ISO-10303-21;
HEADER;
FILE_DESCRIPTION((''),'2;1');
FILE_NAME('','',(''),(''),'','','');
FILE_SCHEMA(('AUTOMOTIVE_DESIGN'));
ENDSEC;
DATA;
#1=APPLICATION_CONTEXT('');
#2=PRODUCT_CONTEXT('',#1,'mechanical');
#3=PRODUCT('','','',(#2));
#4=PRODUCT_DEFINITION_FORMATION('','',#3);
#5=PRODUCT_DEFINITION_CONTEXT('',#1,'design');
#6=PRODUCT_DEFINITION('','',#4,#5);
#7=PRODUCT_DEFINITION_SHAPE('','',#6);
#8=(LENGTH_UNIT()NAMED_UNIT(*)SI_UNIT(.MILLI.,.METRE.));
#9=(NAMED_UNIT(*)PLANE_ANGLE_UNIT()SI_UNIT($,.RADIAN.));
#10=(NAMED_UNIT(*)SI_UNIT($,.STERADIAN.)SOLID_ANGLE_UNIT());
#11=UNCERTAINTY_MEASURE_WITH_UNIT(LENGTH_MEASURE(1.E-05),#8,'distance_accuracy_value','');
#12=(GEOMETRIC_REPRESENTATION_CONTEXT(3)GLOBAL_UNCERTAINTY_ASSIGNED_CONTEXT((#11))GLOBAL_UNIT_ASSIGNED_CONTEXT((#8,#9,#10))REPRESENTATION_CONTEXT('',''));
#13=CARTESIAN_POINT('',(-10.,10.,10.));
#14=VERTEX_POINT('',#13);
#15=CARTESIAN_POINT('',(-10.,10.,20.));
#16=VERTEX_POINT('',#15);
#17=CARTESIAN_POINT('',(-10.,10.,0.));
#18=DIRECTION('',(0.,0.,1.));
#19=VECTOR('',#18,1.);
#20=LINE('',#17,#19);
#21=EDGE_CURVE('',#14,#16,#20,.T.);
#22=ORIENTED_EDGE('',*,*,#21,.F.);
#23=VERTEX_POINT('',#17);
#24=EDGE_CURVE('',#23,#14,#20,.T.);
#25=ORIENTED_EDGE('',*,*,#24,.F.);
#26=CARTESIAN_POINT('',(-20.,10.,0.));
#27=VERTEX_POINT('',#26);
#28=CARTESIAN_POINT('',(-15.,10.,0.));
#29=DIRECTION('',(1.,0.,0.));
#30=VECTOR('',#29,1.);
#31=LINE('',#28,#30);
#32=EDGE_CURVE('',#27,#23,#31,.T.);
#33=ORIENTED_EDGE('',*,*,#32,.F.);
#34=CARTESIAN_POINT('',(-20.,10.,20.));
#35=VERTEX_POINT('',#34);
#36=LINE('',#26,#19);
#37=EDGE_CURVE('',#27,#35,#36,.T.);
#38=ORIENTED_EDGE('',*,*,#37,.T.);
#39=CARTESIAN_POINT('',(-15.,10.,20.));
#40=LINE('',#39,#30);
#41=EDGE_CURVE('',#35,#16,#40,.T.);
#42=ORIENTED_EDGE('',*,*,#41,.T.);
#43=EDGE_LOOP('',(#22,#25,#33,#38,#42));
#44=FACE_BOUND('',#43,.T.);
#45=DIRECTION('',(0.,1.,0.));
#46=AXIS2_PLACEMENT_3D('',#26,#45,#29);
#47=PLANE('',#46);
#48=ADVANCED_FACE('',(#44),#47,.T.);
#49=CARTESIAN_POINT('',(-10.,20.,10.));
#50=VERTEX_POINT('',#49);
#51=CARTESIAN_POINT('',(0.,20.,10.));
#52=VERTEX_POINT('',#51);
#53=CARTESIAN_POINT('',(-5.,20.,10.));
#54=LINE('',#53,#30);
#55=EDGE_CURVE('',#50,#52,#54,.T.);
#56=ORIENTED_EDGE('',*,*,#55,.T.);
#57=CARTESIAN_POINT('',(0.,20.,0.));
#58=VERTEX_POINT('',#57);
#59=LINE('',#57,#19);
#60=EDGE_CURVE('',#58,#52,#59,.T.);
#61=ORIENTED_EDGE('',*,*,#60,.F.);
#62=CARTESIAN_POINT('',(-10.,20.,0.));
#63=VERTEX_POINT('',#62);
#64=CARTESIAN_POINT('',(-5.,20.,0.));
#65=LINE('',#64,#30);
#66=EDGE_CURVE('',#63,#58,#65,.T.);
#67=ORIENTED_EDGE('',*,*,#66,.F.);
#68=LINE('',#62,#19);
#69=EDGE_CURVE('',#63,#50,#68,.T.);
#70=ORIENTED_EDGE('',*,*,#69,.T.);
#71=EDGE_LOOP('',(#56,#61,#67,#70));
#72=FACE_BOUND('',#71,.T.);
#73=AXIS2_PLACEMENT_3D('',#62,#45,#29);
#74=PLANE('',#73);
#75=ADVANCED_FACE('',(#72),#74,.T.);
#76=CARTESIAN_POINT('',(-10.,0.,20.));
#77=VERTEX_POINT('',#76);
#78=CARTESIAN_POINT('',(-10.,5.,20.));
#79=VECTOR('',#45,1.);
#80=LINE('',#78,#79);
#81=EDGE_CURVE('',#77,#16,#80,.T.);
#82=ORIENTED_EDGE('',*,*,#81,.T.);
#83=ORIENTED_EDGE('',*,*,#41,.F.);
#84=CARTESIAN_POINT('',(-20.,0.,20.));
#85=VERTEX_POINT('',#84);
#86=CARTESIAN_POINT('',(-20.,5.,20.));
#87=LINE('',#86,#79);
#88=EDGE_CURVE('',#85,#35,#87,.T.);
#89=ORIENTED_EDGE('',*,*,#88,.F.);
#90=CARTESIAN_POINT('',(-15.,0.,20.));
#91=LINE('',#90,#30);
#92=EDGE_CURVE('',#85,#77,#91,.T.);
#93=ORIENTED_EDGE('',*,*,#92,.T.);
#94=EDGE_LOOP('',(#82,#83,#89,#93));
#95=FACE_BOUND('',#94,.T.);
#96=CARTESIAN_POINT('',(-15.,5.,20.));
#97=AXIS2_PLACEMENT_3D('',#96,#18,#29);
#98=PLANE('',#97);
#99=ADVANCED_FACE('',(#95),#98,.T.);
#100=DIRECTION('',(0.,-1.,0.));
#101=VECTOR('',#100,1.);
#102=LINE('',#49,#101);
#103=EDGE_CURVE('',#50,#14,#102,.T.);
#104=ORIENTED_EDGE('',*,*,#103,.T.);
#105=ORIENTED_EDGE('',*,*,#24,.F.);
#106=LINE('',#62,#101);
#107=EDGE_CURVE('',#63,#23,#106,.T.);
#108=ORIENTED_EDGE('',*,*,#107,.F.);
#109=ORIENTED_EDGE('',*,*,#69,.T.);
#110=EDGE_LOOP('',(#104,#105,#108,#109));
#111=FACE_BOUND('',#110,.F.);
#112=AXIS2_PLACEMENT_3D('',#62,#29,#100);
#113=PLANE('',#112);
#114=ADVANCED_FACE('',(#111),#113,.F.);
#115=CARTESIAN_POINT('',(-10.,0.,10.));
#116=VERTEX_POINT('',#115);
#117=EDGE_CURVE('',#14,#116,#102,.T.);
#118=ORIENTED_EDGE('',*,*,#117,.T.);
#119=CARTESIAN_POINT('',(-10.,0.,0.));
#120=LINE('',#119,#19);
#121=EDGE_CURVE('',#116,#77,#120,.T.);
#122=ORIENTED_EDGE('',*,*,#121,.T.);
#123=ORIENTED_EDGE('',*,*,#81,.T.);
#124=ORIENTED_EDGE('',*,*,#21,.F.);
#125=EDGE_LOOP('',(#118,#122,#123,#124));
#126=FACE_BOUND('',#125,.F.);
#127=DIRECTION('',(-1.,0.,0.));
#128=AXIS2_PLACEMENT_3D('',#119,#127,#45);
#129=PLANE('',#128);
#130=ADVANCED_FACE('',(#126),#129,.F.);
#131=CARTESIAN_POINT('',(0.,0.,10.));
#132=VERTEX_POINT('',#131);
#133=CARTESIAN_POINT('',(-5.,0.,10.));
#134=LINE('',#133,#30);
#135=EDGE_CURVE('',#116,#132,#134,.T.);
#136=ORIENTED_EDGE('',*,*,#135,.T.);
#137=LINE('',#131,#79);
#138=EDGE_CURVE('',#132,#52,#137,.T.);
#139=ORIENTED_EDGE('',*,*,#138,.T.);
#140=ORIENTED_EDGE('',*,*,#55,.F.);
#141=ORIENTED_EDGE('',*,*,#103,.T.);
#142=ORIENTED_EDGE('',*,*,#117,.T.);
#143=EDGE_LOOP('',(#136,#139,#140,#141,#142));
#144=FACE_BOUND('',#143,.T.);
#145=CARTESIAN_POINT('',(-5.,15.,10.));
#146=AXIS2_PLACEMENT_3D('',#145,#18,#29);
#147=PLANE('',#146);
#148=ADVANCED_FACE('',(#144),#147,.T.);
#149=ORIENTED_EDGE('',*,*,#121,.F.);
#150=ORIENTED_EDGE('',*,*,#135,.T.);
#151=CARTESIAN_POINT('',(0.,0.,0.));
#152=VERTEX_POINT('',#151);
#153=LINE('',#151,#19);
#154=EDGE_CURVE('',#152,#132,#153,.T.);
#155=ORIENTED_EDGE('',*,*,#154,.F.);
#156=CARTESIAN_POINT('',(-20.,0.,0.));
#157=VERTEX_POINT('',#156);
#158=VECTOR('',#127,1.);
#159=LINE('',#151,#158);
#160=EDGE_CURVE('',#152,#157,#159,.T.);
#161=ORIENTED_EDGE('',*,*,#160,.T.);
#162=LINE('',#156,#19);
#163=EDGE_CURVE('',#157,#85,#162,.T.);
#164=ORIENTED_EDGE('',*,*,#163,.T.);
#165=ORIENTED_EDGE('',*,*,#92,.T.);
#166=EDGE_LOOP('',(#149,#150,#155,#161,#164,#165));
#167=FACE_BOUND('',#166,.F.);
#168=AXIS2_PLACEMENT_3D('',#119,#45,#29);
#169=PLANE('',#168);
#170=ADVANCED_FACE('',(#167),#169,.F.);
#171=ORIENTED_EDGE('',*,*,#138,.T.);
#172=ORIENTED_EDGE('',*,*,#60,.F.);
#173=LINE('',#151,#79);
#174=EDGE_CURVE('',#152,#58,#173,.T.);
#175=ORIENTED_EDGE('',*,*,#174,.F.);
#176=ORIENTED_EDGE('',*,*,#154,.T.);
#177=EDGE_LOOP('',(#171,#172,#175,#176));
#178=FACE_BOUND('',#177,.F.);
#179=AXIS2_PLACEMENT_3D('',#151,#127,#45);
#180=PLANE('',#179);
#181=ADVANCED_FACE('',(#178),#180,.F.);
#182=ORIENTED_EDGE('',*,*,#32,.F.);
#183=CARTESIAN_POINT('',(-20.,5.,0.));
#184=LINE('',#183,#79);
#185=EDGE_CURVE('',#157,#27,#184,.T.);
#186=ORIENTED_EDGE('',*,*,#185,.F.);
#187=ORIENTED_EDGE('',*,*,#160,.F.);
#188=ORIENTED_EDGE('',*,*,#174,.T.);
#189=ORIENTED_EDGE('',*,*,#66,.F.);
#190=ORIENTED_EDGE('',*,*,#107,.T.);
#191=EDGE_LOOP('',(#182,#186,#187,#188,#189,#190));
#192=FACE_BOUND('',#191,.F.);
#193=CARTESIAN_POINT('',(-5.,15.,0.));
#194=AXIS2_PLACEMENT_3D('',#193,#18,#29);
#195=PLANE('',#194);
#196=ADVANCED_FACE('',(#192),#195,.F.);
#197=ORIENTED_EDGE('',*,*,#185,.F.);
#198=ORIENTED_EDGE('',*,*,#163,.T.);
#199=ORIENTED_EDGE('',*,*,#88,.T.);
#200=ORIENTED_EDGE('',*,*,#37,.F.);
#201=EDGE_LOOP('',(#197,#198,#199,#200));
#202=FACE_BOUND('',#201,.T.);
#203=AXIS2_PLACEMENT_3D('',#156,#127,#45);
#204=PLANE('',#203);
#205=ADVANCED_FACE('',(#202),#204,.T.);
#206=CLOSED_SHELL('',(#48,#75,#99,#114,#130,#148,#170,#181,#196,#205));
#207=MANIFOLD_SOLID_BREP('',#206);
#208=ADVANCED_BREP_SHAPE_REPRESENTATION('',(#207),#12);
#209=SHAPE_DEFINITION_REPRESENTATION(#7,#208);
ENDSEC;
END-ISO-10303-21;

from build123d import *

# Parameters (mm, degrees)
F0_W     = 10
F0_H     = 10
F1_DEPTH = 20
F2_DEPTH = 10


with BuildPart() as f1:
    # F0 (on Top) → F1 (new body)
    with BuildSketch(Plane.XY):
        with Locations((-15, 5)):
            Rectangle(F0_W, F0_H)
    extrude(amount=F1_DEPTH)

    # F0 (on Top) → F2 (join)
    with BuildSketch(Plane.XY):
        with Locations((-5, 15)):
            Rectangle(F0_W, F0_H)
        with Locations((-5, 5)):
            Rectangle(F0_W, F0_H)
    extrude(amount=F2_DEPTH)


solid = f1.part
